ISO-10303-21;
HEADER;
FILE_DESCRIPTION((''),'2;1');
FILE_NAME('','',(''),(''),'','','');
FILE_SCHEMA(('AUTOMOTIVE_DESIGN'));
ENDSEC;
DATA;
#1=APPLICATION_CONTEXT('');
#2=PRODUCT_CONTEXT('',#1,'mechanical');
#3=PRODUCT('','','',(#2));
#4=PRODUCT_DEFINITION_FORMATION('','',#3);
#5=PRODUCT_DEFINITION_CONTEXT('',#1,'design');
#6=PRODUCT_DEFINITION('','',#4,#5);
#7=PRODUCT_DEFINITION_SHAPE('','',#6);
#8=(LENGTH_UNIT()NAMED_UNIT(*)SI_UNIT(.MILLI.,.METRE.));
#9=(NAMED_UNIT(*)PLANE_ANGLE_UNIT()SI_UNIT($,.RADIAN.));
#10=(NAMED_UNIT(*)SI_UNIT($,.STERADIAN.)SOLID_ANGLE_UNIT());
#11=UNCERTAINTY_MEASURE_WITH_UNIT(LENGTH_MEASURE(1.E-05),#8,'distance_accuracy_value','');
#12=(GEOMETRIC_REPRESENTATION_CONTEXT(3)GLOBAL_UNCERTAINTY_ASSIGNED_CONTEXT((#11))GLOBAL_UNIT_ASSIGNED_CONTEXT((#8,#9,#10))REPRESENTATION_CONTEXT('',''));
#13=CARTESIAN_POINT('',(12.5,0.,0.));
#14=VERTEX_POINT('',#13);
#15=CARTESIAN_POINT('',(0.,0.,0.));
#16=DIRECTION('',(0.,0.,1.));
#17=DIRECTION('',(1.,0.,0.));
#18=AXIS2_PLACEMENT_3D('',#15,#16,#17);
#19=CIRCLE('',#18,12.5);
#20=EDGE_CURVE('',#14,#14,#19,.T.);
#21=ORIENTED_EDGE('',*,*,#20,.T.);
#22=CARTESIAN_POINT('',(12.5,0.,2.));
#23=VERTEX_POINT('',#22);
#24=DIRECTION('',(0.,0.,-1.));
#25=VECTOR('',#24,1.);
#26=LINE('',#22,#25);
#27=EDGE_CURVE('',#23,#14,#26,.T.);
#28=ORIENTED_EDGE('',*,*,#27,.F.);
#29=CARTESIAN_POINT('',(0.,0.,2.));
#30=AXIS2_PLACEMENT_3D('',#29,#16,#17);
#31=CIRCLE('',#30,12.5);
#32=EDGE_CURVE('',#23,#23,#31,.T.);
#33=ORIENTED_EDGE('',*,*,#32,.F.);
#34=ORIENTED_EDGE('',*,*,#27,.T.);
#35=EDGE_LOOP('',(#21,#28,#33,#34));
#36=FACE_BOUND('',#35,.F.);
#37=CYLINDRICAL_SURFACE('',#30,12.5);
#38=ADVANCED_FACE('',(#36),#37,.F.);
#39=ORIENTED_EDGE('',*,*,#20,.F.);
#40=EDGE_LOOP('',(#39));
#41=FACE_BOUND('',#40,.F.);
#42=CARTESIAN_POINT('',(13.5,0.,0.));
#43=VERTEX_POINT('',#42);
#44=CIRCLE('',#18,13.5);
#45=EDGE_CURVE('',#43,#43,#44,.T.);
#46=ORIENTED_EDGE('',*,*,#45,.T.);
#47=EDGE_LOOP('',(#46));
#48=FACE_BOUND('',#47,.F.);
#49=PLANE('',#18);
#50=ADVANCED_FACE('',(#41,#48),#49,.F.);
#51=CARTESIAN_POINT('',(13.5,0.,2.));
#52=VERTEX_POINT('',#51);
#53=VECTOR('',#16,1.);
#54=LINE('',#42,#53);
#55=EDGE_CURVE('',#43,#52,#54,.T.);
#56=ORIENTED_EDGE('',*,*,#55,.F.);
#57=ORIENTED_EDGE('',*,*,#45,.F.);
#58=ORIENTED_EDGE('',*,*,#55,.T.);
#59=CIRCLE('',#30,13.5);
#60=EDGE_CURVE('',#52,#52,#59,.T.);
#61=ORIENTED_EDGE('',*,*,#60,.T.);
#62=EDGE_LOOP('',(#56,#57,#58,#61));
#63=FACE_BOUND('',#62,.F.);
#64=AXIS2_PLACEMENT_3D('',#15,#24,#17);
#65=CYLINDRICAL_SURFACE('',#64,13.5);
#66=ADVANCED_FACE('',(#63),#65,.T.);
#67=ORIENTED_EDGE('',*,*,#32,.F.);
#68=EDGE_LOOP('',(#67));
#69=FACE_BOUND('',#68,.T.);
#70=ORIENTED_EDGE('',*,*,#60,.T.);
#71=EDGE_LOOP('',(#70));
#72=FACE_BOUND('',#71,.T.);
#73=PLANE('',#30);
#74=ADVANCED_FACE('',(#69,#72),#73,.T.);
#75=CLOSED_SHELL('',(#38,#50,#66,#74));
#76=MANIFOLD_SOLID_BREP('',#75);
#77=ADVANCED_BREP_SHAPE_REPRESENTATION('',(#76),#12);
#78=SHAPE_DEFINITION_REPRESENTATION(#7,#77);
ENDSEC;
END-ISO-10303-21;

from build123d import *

# Parameters (mm, degrees)
F0_R     = 13.5
F1_DEPTH = 2
F3_R     = 12.5
F4_DEPTH = 25


with BuildPart() as f1:
    # F0 (on Top) → F1 (new body)
    with BuildSketch(Plane.XY):
        Circle(F0_R)
    extrude(amount=F1_DEPTH)

    # F3 (on offset) → F4 (cut)
    with BuildSketch(Plane.XY.offset(2)):
        Circle(F3_R)
    extrude(amount=-F4_DEPTH, mode=Mode.SUBTRACT)


solid = f1.part
